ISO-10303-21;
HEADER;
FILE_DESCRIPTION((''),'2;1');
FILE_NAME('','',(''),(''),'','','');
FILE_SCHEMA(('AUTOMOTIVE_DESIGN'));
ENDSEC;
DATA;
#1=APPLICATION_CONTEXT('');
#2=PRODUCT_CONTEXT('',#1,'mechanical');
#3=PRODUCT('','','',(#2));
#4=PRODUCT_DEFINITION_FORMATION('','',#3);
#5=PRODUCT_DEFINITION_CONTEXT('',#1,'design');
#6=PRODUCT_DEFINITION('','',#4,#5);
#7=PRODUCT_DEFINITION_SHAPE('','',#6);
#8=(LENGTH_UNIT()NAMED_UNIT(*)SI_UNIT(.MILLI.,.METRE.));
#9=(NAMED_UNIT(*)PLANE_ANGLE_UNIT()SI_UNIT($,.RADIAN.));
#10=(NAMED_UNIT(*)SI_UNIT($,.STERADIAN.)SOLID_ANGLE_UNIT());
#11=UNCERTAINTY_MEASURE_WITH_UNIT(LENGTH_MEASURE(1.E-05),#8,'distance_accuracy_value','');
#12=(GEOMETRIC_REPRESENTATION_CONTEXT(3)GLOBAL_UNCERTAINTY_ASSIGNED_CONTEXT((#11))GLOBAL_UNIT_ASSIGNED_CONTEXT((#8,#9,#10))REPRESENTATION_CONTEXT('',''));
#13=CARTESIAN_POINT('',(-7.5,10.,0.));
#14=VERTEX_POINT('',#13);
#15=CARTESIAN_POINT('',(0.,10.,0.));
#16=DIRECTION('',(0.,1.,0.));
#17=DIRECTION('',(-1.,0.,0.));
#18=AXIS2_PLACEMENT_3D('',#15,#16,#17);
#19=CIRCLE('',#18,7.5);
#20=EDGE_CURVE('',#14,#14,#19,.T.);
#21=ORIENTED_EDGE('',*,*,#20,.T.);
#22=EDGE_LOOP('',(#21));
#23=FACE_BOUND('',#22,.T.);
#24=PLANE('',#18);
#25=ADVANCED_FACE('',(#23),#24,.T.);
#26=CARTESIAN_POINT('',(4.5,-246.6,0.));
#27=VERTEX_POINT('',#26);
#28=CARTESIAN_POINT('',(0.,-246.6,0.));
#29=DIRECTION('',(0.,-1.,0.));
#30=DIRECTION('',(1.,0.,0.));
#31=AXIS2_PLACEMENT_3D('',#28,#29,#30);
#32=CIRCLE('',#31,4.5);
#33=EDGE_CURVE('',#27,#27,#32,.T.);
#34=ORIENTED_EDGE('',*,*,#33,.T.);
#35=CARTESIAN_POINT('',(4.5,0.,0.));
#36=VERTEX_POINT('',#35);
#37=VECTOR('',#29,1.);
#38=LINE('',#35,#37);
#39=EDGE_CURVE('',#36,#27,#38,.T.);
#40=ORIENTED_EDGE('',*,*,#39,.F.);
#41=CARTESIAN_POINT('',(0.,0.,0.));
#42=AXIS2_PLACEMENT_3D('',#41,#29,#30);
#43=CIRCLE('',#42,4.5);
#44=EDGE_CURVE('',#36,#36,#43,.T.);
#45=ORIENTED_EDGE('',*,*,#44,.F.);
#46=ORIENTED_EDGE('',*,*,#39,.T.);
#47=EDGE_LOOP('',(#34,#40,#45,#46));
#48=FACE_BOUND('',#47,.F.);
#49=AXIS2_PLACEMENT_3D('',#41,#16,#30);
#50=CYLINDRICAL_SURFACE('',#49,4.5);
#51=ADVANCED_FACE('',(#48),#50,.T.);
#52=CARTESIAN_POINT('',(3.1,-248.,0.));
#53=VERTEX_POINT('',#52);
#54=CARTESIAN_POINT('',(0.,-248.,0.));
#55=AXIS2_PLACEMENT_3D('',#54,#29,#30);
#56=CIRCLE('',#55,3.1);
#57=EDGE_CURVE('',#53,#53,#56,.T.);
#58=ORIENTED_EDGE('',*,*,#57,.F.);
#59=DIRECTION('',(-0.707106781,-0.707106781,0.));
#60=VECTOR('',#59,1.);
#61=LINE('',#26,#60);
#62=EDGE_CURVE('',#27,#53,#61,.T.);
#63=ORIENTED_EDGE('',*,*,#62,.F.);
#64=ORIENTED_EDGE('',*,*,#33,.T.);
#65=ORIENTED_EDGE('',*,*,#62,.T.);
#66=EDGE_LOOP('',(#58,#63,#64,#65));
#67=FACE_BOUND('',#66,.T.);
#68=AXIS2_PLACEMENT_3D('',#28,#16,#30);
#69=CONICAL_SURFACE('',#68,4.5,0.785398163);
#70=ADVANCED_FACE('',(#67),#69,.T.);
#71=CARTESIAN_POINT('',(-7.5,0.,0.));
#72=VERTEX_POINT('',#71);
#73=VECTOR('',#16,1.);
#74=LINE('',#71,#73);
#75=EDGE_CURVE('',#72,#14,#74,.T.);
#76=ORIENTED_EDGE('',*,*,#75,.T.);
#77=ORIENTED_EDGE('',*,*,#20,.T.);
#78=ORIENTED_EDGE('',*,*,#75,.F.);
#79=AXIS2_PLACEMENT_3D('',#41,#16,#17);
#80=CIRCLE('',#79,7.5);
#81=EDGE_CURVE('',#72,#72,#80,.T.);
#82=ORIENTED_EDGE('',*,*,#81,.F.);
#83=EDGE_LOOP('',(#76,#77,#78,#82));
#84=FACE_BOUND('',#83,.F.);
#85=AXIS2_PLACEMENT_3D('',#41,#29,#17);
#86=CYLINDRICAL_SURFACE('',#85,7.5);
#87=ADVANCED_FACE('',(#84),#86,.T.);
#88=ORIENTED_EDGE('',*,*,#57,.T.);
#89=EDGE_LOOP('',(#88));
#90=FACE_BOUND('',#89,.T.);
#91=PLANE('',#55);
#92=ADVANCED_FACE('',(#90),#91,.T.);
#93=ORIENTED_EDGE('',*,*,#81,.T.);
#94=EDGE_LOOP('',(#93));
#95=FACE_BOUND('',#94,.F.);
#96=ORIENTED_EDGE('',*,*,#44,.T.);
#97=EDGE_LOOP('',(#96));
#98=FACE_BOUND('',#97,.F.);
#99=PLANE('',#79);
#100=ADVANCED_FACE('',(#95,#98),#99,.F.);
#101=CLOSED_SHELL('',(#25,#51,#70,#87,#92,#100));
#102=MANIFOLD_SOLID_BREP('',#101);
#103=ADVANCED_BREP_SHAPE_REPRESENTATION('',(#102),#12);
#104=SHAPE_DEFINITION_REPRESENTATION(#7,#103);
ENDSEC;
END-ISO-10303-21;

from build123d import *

# Parameters (mm, degrees)
F0_R     = 4.5
F1_DEPTH = 248
F2_R     = 7.5
F3_DEPTH = 10
F4_SIZE  = 1.4


with BuildPart() as f1:
    # F0 (on Front) → F1 (new body)
    with BuildSketch(Plane.XZ):
        Circle(F0_R)
    extrude(amount=F1_DEPTH)

    # F2 (on face) → F3 (join)
    with BuildSketch(Plane(origin=(0, 0, 0), x_dir=(-1, 0, 0), z_dir=(0, 1, 0))):
        Circle(F2_R)
    extrude(amount=F3_DEPTH)

    # F4
    f4_edges = [f1.edges().sort_by_distance(p)[0] for p in [
        (-4.5, -248, 0),
    ]]
    chamfer(f4_edges, length=F4_SIZE)


solid = f1.part
